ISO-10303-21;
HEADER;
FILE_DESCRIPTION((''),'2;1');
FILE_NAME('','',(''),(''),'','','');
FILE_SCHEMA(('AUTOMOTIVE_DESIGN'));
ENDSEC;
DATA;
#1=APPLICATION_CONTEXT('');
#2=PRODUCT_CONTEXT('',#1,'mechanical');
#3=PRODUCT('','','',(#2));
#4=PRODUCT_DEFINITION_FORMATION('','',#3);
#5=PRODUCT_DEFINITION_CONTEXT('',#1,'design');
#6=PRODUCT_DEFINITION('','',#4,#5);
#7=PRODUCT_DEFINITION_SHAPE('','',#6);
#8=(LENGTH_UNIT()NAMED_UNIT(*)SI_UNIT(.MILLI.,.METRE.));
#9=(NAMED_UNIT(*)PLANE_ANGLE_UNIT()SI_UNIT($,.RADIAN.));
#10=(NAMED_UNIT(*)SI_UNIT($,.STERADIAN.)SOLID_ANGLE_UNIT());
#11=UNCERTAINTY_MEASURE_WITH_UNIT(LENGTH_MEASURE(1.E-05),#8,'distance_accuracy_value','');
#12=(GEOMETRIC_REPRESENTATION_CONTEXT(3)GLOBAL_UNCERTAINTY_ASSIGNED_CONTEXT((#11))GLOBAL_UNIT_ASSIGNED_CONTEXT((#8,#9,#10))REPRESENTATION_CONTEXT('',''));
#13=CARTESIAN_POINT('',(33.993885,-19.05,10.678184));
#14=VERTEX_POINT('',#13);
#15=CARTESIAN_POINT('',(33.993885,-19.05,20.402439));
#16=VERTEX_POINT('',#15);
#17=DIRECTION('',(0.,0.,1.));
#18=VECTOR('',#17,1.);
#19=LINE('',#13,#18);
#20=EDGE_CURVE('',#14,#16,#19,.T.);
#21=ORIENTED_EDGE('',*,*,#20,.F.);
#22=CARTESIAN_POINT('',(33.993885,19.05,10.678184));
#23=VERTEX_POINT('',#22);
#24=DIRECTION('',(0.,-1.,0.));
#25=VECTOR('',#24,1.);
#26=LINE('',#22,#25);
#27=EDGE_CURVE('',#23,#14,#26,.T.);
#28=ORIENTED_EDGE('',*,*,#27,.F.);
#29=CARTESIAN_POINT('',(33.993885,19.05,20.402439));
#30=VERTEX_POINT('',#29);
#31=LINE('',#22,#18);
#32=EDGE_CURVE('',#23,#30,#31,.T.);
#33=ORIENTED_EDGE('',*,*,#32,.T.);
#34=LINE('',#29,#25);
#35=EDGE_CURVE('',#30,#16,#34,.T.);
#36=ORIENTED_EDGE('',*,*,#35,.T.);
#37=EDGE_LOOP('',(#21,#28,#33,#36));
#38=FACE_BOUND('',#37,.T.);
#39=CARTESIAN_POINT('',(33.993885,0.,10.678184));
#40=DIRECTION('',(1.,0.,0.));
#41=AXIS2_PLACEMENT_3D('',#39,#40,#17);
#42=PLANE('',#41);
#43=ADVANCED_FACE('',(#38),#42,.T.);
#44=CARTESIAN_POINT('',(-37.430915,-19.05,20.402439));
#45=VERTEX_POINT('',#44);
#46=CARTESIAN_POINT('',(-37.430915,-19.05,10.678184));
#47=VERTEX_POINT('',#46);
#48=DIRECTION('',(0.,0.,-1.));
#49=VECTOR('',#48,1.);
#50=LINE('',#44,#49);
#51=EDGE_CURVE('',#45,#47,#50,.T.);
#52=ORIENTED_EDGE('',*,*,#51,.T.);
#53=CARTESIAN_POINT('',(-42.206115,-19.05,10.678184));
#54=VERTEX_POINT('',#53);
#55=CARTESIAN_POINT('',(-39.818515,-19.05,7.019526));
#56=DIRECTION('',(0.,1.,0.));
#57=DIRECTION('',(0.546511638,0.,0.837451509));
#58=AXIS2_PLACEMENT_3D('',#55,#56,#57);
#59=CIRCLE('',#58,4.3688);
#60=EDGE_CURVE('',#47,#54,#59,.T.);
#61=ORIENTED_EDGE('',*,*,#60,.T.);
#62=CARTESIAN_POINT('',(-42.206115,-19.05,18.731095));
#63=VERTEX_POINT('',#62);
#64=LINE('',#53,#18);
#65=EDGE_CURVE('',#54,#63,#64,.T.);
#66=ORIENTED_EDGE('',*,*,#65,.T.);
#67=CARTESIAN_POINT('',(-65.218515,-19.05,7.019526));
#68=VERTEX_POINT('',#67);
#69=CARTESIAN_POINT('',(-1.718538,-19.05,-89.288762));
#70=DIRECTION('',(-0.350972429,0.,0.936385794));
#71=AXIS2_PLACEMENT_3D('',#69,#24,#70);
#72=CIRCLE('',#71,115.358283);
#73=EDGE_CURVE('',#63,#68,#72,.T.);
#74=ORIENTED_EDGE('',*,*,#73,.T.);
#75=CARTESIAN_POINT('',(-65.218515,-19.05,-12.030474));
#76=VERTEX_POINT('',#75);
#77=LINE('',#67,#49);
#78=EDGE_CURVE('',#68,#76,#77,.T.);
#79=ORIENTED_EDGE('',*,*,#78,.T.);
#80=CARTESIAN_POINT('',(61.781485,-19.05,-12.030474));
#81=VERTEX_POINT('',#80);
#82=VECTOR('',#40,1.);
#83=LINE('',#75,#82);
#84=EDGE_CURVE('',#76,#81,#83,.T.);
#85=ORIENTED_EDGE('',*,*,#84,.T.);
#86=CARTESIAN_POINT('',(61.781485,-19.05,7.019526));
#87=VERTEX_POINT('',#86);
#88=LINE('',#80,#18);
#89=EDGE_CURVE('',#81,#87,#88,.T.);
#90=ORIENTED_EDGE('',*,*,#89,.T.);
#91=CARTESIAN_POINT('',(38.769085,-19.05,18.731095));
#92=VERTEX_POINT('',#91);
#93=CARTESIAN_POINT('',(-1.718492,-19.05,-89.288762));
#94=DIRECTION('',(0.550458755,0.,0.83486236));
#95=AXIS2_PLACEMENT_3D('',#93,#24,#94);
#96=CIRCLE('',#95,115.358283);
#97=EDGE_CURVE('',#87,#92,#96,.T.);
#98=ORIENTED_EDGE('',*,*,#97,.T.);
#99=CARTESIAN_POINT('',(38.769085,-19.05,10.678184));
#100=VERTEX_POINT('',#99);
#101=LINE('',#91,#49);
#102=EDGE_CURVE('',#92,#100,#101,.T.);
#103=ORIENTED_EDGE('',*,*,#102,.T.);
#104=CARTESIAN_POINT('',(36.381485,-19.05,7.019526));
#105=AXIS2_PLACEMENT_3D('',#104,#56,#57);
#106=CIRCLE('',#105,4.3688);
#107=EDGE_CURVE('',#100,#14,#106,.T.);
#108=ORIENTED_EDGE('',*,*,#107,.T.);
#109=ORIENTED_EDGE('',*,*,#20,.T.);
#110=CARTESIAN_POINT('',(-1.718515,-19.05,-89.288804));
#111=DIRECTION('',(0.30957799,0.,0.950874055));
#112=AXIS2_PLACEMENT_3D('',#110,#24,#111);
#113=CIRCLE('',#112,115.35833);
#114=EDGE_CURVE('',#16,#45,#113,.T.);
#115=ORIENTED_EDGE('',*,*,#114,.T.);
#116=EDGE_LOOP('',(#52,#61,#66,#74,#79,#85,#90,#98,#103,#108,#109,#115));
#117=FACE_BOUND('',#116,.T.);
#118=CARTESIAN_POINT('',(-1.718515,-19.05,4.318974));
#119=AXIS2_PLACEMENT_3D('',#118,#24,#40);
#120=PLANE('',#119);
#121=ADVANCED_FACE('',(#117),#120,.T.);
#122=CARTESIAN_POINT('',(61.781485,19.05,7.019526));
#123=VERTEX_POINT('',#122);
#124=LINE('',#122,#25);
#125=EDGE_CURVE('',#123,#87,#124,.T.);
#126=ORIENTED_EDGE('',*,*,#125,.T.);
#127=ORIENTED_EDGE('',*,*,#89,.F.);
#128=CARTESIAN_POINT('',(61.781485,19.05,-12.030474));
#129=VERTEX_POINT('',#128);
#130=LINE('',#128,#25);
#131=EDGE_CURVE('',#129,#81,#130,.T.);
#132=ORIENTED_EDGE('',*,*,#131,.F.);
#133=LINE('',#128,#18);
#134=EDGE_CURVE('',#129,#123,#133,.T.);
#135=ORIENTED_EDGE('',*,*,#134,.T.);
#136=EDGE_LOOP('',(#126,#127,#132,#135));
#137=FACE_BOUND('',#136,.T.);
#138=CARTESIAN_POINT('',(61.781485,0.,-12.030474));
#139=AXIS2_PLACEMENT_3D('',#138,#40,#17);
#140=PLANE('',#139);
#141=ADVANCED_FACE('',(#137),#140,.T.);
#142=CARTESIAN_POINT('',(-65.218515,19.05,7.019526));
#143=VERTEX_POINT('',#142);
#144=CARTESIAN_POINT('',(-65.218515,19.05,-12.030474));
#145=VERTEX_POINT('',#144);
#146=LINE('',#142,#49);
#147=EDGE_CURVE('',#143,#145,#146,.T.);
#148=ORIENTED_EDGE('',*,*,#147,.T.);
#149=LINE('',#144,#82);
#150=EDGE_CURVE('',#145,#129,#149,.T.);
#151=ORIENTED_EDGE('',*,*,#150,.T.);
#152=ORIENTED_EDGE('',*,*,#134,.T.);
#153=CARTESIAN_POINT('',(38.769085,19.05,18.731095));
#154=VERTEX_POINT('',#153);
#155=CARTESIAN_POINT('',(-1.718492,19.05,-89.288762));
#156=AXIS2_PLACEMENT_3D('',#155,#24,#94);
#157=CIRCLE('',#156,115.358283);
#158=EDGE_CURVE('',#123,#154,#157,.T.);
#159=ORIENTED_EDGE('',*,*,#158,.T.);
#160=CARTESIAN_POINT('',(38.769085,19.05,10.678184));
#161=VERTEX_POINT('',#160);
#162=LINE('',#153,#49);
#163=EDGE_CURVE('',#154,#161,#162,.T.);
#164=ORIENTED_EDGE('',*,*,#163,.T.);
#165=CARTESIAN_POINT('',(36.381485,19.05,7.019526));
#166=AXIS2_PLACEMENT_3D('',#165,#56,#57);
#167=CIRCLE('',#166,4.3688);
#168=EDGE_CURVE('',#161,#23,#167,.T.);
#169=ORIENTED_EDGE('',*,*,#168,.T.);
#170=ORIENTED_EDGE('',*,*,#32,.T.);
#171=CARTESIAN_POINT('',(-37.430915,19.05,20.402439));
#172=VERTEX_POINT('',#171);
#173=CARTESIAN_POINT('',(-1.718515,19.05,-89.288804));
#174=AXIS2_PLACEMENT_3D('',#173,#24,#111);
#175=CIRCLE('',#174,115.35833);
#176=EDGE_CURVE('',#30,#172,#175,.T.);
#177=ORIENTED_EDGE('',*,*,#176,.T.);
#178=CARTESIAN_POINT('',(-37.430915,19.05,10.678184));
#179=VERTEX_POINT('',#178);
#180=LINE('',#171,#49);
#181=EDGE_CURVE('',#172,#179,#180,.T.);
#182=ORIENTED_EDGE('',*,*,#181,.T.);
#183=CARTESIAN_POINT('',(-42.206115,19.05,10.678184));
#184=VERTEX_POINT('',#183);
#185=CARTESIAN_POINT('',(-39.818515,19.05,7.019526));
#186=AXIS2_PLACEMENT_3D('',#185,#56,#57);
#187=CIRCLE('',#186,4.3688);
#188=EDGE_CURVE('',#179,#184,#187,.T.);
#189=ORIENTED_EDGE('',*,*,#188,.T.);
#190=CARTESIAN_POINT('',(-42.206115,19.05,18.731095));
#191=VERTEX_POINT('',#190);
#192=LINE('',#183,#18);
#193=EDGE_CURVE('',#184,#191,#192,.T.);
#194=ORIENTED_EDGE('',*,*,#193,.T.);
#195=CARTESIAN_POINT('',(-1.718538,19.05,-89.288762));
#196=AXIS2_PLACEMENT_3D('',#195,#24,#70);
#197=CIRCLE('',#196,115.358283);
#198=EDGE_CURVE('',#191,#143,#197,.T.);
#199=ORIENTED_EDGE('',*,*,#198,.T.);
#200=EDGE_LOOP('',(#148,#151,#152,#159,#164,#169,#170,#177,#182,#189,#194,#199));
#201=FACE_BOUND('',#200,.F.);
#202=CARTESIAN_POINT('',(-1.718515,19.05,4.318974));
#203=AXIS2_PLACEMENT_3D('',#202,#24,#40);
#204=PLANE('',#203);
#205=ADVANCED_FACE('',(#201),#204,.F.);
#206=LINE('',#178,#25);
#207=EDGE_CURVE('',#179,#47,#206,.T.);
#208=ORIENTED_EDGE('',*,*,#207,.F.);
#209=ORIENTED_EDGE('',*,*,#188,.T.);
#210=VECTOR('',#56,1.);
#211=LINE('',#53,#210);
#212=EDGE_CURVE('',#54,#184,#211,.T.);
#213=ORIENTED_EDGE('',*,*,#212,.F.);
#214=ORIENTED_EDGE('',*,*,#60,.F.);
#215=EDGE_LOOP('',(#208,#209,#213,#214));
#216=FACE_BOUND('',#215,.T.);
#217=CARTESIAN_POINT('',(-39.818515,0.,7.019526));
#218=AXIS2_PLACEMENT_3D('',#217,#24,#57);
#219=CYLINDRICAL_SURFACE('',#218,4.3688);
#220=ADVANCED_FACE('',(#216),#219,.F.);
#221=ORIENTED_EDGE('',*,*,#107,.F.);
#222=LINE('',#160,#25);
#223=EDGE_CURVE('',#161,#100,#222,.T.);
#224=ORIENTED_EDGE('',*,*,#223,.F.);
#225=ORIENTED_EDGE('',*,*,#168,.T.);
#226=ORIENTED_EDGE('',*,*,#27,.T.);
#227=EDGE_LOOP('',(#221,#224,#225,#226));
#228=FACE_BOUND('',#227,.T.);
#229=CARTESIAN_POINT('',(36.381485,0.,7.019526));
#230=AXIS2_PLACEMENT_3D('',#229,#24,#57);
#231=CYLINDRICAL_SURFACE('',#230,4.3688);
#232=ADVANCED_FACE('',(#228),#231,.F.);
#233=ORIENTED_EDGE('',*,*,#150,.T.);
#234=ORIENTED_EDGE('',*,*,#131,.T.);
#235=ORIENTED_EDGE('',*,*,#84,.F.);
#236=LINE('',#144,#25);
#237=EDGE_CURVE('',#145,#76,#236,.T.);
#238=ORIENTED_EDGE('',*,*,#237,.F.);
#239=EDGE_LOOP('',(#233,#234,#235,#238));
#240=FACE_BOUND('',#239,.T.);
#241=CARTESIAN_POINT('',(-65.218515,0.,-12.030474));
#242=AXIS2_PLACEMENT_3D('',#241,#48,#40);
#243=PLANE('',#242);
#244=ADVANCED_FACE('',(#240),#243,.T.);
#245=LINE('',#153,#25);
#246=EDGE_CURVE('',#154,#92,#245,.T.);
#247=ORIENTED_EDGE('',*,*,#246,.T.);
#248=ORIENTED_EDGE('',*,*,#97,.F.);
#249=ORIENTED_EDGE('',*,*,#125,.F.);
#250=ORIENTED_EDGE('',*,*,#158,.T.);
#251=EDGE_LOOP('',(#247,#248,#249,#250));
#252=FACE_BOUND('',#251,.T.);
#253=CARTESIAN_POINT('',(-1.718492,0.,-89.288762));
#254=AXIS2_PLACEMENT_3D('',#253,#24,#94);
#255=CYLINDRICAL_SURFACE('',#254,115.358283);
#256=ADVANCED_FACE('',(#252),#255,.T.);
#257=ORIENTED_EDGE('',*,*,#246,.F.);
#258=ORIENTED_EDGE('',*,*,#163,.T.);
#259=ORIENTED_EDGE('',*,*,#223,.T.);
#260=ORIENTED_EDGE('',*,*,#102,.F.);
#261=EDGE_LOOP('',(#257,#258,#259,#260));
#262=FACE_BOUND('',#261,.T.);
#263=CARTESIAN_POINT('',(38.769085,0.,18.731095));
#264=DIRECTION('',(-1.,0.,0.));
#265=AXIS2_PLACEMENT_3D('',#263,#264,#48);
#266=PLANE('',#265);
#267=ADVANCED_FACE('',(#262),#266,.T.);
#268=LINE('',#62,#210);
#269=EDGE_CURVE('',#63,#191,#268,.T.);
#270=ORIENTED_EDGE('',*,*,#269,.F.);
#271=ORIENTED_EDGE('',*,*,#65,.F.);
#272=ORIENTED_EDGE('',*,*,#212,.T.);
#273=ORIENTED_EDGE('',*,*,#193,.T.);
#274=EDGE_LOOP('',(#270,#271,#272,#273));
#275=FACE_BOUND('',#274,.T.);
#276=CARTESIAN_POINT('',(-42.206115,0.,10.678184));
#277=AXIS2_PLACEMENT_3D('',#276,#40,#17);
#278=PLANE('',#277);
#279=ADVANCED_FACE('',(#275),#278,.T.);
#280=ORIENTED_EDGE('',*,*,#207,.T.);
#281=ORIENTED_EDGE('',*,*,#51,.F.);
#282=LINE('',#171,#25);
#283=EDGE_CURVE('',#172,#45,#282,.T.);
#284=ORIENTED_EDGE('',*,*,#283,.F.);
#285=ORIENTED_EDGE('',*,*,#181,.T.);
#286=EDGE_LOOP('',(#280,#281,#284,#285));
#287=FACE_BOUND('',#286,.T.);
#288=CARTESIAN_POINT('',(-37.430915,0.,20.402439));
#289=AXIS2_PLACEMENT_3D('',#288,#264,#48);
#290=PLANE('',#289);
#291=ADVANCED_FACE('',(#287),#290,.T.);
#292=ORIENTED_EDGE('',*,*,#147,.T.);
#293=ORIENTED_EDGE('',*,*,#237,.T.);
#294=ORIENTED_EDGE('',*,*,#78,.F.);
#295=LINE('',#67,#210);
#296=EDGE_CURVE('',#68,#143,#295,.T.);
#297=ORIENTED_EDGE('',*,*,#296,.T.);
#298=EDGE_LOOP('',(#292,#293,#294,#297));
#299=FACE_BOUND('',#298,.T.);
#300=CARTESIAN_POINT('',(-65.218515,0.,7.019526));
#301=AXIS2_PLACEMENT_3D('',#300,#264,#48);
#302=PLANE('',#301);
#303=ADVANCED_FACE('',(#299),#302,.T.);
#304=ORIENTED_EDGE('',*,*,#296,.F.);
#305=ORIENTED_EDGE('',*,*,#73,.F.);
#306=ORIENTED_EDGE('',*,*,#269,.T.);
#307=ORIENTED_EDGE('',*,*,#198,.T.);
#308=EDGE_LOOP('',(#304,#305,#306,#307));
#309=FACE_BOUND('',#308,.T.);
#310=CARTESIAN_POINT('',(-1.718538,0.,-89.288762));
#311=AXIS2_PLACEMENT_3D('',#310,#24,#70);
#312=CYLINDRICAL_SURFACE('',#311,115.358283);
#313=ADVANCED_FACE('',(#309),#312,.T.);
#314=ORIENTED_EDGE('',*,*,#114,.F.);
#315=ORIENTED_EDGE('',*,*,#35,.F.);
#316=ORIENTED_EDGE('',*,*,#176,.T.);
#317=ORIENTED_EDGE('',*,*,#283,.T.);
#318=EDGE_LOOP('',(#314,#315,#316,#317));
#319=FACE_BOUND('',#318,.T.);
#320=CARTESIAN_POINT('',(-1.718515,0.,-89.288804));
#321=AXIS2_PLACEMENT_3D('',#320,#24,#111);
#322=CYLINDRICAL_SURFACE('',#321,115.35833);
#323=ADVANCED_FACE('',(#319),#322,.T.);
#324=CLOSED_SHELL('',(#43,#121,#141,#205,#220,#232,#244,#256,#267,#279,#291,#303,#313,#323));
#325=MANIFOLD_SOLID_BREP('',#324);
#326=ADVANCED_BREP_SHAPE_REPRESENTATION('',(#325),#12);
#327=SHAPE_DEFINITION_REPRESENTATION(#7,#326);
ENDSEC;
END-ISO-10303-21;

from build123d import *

# Parameters (mm, degrees)
F1_DEPTH = 19.05


with BuildPart() as f1:
    # F0 (on Front) → F1 (new body, symmetric)
    with BuildSketch(Plane.XZ):
        with BuildLine():
            Line((-65.218515, 7.019526), (-65.218515, -12.030474))
            Line((-65.218515, -12.030474), (61.781485, -12.030474))
            Line((61.781485, -12.030474), (61.781485, 7.019526))
            ThreePointArc((61.781485, 7.019526), (50.603999, 13.52121), (38.769085, 18.731095))
            Line((38.769085, 18.731095), (38.769085, 10.678184))
            ThreePointArc((38.769085, 10.678184), (36.381485, 2.650726), (33.993885, 10.678184))
            Line((33.993885, 10.678184), (33.993885, 20.402439))
            ThreePointArc((33.993885, 20.402439), (-1.718515, 26.069526), (-37.430915, 20.402439))
            Line((-37.430915, 20.402439), (-37.430915, 10.678184))
            ThreePointArc((-37.430915, 10.678184), (-39.818515, 2.650726), (-42.206115, 10.678184))
            Line((-42.206115, 10.678184), (-42.206115, 18.731095))
            ThreePointArc((-42.206115, 18.731095), (-54.041029, 13.52121), (-65.218515, 7.019526))
        make_face()
    extrude(amount=F1_DEPTH, both=True)


solid = f1.part
